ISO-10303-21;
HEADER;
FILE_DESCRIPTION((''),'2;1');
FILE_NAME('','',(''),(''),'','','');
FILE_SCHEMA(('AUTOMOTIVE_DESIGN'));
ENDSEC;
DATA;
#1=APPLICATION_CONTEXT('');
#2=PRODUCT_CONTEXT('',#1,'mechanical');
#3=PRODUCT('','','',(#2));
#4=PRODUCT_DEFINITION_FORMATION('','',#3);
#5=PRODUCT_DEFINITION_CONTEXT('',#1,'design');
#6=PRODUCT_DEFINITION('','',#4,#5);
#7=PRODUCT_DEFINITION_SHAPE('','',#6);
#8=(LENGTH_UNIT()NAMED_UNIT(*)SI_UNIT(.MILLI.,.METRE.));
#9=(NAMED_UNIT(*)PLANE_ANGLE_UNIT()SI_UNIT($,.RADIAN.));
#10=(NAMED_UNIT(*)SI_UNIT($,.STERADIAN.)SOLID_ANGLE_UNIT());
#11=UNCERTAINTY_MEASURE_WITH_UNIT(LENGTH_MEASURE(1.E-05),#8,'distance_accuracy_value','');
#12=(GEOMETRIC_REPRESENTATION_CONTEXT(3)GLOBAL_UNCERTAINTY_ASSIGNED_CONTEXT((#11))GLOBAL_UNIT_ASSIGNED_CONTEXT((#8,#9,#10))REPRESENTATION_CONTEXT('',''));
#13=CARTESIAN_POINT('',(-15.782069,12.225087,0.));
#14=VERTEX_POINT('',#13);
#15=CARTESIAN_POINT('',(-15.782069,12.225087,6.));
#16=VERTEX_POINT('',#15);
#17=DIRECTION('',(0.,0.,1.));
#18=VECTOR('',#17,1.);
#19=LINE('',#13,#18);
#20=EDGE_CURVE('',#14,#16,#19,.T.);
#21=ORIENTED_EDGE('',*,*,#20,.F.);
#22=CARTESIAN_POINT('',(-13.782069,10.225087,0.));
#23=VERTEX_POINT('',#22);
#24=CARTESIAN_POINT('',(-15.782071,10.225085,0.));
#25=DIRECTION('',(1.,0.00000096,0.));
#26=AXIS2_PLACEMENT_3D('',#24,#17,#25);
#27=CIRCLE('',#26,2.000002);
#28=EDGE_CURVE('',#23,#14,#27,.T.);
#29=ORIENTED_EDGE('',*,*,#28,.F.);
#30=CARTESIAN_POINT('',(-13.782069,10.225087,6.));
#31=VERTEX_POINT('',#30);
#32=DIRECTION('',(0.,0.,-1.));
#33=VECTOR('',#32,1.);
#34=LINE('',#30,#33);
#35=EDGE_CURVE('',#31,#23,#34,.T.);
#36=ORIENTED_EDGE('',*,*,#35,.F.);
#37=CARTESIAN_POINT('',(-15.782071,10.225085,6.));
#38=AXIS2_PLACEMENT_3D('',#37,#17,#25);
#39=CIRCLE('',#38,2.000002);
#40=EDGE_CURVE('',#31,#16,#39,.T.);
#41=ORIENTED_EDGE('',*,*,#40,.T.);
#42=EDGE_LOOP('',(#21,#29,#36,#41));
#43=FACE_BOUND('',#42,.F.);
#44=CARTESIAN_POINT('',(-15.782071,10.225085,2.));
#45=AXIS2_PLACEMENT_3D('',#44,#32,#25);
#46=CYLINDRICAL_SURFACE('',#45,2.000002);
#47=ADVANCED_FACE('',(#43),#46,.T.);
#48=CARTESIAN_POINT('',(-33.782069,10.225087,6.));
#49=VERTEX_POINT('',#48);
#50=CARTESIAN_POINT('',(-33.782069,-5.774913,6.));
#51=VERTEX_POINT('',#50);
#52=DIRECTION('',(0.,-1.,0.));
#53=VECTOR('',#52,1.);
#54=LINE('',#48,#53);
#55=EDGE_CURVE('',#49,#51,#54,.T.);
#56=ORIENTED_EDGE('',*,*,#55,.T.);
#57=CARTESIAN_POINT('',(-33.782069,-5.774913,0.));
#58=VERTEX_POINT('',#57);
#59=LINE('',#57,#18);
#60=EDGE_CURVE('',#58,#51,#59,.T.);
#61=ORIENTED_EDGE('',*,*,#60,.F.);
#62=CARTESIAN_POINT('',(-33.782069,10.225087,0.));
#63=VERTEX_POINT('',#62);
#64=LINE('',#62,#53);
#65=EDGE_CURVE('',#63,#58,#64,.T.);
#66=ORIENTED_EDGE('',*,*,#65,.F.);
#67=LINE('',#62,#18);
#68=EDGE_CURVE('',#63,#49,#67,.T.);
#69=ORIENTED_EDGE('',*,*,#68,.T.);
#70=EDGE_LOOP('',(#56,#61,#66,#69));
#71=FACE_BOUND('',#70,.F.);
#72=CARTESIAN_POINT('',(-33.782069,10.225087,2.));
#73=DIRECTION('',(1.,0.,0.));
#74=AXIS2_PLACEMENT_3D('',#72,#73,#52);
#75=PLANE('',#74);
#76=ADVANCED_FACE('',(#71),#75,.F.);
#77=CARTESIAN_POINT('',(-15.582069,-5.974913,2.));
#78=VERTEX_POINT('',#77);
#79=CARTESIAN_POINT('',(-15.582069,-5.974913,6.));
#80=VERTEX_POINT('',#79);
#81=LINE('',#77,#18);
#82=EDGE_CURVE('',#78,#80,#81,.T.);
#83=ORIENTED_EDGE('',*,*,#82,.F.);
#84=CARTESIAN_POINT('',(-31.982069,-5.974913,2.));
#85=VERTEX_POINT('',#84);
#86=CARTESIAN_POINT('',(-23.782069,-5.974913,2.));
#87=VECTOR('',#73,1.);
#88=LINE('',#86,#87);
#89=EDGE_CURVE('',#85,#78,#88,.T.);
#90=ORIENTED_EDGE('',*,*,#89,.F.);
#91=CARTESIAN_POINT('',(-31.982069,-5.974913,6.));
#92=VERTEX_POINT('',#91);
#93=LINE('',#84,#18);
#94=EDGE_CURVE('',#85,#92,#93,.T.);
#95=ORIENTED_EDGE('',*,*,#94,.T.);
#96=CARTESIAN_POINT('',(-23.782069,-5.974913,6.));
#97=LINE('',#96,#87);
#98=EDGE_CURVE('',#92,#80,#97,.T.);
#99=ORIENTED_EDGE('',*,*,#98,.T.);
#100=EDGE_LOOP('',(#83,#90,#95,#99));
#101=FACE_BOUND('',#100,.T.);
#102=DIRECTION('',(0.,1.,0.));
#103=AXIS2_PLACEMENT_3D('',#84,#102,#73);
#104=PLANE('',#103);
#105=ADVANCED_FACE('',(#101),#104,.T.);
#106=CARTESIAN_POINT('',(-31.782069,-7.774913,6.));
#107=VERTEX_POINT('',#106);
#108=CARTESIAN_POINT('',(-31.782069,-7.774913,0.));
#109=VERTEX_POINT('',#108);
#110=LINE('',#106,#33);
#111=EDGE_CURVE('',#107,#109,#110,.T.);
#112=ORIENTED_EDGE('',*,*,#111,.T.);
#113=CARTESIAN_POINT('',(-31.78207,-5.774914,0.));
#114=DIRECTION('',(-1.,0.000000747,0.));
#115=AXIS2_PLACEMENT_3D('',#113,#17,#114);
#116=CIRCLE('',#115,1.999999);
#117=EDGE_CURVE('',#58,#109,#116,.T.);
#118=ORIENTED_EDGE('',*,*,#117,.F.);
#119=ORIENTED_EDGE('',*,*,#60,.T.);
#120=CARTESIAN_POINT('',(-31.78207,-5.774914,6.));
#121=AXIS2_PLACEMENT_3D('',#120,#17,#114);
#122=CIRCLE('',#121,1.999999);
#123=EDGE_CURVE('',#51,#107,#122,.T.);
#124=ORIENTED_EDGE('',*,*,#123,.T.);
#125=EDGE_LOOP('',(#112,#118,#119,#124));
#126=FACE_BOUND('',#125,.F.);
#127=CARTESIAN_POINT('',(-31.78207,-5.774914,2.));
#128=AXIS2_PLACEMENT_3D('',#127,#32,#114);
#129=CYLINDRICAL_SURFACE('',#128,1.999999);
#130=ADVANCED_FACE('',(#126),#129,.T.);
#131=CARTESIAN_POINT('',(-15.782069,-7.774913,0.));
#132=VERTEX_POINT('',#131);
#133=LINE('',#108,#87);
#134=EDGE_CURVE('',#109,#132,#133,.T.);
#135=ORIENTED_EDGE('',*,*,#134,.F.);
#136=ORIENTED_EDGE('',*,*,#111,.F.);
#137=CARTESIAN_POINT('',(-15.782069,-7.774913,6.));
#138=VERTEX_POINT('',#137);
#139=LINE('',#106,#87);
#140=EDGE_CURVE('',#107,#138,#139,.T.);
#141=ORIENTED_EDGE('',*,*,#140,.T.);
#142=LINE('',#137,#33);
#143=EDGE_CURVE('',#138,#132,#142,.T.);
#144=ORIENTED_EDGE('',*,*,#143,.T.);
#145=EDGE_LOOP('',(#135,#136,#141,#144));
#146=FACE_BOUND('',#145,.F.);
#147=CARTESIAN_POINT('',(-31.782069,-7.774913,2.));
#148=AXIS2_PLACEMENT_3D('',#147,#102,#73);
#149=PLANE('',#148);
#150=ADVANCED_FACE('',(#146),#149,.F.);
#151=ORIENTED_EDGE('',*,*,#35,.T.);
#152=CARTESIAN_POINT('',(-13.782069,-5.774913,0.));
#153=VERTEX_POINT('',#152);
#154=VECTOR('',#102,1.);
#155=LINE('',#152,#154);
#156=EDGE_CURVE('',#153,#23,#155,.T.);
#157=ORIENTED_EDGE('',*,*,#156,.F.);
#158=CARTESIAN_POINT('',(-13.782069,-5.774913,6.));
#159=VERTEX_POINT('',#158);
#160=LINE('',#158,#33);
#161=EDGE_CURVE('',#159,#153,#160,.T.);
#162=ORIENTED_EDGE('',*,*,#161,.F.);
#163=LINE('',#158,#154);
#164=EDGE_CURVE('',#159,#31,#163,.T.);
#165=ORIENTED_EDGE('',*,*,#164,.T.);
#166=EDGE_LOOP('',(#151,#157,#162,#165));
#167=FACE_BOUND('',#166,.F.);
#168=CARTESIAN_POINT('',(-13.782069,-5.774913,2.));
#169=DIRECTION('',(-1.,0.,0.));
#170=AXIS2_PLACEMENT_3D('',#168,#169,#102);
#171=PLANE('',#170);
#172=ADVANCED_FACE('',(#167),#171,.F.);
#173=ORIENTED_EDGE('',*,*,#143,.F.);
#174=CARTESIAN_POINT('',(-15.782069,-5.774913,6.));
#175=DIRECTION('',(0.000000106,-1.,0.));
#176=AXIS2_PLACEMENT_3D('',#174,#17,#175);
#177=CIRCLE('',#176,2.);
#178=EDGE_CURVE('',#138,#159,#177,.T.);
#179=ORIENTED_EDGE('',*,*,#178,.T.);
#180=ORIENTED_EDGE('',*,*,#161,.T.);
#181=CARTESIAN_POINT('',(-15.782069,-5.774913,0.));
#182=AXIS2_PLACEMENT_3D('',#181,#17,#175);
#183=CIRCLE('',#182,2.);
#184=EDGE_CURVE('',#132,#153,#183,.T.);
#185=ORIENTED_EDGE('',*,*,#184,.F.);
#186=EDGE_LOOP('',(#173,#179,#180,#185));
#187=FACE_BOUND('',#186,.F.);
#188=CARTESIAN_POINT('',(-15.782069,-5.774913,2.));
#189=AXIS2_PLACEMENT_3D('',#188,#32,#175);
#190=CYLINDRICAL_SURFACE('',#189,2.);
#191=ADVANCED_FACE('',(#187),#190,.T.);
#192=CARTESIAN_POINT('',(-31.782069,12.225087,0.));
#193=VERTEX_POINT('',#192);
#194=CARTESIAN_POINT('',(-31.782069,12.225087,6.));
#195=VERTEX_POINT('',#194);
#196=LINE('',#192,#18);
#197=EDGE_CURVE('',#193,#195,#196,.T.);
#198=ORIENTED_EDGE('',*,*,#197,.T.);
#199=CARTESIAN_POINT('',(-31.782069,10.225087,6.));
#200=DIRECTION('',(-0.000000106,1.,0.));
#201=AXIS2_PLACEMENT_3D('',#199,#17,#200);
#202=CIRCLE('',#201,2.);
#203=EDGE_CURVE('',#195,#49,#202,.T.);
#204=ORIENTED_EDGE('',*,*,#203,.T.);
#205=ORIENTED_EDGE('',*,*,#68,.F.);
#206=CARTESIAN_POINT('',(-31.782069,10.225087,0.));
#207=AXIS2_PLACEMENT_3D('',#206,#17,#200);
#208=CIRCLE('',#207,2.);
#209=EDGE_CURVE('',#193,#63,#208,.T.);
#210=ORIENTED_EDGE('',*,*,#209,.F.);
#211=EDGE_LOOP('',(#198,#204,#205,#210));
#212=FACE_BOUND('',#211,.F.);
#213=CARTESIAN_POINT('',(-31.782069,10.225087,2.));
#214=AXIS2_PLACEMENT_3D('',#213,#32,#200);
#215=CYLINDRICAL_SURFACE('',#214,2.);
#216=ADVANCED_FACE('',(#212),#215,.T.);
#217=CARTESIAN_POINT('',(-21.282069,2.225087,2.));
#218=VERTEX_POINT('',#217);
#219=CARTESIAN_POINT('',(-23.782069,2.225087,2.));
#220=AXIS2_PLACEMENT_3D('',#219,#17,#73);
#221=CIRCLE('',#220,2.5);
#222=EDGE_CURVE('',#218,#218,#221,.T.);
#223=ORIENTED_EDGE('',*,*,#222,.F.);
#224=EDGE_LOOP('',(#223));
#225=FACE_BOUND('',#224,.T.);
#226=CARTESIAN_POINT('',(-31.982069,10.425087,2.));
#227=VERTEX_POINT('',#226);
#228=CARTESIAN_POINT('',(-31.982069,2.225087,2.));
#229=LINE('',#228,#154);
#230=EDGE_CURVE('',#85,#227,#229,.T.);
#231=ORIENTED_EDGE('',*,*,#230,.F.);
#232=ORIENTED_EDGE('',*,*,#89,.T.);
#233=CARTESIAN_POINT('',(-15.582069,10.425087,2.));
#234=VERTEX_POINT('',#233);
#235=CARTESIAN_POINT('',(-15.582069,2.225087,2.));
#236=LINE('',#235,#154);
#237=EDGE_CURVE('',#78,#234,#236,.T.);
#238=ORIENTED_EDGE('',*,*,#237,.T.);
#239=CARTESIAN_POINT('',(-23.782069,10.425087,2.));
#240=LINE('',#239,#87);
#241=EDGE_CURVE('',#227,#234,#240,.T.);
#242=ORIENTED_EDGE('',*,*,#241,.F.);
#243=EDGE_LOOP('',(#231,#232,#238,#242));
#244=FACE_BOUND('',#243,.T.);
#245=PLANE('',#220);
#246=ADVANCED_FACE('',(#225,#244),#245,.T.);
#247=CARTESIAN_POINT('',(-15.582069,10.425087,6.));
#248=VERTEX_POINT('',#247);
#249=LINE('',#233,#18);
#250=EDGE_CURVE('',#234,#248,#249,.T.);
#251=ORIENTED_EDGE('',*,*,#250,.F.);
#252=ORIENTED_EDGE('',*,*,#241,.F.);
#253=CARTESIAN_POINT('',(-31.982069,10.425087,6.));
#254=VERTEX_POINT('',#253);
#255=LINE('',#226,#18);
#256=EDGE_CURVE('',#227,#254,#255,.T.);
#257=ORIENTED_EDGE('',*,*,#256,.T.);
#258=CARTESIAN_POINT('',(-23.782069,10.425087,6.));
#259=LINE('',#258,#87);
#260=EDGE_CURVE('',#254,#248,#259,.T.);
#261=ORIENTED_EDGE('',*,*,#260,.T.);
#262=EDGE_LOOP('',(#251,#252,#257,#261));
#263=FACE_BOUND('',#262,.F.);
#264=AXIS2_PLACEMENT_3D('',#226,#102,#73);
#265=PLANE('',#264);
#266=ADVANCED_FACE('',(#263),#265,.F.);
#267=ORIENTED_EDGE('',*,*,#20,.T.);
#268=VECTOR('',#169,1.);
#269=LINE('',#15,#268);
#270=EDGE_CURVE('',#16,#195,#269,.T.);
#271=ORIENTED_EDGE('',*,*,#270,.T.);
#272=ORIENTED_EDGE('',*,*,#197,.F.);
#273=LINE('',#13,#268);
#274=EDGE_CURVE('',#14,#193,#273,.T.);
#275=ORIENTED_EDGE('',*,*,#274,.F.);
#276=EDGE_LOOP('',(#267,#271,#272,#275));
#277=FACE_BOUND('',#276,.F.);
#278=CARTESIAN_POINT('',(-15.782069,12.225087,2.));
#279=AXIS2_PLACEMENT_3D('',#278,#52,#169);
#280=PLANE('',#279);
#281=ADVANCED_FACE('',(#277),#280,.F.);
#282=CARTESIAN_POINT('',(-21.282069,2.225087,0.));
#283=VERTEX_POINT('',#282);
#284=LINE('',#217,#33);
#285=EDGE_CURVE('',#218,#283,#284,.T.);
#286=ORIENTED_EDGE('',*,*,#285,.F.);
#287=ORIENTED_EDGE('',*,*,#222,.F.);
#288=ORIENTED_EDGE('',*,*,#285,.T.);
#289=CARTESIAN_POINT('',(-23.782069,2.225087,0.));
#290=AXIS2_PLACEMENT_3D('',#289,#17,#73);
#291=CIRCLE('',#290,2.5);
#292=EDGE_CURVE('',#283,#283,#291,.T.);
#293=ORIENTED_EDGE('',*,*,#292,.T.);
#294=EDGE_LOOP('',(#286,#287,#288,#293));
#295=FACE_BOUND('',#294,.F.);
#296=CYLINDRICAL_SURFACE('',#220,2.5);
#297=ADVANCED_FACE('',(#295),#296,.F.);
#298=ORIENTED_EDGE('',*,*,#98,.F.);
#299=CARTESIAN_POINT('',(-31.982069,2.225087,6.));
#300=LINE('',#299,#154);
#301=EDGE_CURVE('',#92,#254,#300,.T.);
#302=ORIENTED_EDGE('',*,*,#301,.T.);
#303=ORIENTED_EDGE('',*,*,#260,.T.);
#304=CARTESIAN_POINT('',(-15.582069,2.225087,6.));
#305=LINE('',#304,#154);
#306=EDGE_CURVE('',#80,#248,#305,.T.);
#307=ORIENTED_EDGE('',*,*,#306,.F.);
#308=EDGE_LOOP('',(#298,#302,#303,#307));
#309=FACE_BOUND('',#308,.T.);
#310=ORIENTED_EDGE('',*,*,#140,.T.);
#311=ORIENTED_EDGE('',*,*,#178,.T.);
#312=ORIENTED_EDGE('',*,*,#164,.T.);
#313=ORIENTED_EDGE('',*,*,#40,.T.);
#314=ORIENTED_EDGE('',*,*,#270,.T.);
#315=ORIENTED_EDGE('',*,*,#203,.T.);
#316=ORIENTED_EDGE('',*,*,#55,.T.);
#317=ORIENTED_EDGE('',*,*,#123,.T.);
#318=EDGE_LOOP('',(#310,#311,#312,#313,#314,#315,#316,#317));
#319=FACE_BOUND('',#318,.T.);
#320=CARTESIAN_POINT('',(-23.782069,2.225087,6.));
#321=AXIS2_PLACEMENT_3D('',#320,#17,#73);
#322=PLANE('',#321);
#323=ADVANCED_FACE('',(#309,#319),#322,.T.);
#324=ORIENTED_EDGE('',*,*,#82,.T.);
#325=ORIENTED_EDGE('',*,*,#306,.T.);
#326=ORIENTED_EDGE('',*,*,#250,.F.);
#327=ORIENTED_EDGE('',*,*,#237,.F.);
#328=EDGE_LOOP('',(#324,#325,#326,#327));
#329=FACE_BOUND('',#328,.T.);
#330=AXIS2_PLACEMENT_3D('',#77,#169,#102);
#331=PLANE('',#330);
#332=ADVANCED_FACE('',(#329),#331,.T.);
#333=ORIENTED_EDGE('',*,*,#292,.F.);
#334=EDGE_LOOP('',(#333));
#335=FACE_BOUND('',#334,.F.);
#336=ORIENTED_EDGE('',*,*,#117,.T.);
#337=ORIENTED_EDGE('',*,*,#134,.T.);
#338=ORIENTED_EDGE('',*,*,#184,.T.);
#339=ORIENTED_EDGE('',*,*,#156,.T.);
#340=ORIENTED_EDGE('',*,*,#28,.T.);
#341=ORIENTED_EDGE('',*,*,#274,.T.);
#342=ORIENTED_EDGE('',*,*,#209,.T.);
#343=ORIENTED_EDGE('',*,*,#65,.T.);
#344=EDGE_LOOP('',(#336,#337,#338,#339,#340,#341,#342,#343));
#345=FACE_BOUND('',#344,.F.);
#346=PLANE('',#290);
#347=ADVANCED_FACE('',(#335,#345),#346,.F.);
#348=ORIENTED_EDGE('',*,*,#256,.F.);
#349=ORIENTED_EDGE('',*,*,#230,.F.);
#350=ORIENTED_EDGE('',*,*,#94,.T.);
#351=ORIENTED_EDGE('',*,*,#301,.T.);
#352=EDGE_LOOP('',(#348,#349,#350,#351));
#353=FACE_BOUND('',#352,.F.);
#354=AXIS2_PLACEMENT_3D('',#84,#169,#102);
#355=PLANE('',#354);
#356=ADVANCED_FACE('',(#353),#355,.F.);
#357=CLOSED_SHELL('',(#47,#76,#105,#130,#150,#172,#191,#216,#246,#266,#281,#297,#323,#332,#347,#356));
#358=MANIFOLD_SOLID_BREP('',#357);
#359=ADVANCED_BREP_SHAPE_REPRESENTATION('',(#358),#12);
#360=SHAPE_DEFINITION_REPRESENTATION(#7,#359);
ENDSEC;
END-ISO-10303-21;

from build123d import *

# Parameters (mm, degrees)
F1_DEPTH = 2
F2_W     = 16.4
F2_H     = 16.4
F3_DEPTH = 4
F4_R     = 2.5
F5_DEPTH = 25


with BuildPart() as f1:
    # F0 (on Top) → F1 (new body)
    with BuildSketch(Plane.XY):
        with BuildLine():
            Line((-15.782069, 12.225087), (-31.782069, 12.225087))
            ThreePointArc((-31.782069, 12.225087), (-33.196283, 11.6393), (-33.782069, 10.225087))
            Line((-33.782069, 10.225087), (-33.782069, -5.774913))
            ThreePointArc((-33.782069, -5.774913), (-33.196283, -7.189127), (-31.782069, -7.774913))
            Line((-31.782069, -7.774913), (-15.782069, -7.774913))
            ThreePointArc((-15.782069, -7.774913), (-14.367856, -7.189127), (-13.782069, -5.774913))
            Line((-13.782069, -5.774913), (-13.782069, 10.225087))
            ThreePointArc((-13.782069, 10.225087), (-14.367856, 11.6393), (-15.782069, 12.225087))
        make_face()
    extrude(amount=F1_DEPTH)

    # F2 (on face) → F3 (join)
    with BuildSketch(Plane.XY.offset(2)):
        with BuildLine():
            ThreePointArc((-13.782069, 10.225087), (-14.367856, 11.6393), (-15.782069, 12.225087))
            Line((-15.782069, 12.225087), (-31.782069, 12.225087))
            ThreePointArc((-31.782069, 12.225087), (-33.196283, 11.6393), (-33.782069, 10.225087))
            Line((-33.782069, 10.225087), (-33.782069, -5.774913))
            ThreePointArc((-33.782069, -5.774913), (-33.196283, -7.189127), (-31.782069, -7.774913))
            Line((-31.782069, -7.774913), (-15.782069, -7.774913))
            ThreePointArc((-15.782069, -7.774913), (-14.367856, -7.189127), (-13.782069, -5.774913))
            Line((-13.782069, -5.774913), (-13.782069, 10.225087))
        make_face()
        with Locations((-23.782069, 2.225087)):
            Rectangle(F2_W, F2_H, mode=Mode.SUBTRACT)
    extrude(amount=F3_DEPTH)

    # F4 (on face) → F5 (cut)
    with BuildSketch(Plane.XY.offset(2)):
        with Locations((-23.782069, 2.225087)):
            Circle(F4_R)
    extrude(amount=-F5_DEPTH, mode=Mode.SUBTRACT)


solid = f1.part
